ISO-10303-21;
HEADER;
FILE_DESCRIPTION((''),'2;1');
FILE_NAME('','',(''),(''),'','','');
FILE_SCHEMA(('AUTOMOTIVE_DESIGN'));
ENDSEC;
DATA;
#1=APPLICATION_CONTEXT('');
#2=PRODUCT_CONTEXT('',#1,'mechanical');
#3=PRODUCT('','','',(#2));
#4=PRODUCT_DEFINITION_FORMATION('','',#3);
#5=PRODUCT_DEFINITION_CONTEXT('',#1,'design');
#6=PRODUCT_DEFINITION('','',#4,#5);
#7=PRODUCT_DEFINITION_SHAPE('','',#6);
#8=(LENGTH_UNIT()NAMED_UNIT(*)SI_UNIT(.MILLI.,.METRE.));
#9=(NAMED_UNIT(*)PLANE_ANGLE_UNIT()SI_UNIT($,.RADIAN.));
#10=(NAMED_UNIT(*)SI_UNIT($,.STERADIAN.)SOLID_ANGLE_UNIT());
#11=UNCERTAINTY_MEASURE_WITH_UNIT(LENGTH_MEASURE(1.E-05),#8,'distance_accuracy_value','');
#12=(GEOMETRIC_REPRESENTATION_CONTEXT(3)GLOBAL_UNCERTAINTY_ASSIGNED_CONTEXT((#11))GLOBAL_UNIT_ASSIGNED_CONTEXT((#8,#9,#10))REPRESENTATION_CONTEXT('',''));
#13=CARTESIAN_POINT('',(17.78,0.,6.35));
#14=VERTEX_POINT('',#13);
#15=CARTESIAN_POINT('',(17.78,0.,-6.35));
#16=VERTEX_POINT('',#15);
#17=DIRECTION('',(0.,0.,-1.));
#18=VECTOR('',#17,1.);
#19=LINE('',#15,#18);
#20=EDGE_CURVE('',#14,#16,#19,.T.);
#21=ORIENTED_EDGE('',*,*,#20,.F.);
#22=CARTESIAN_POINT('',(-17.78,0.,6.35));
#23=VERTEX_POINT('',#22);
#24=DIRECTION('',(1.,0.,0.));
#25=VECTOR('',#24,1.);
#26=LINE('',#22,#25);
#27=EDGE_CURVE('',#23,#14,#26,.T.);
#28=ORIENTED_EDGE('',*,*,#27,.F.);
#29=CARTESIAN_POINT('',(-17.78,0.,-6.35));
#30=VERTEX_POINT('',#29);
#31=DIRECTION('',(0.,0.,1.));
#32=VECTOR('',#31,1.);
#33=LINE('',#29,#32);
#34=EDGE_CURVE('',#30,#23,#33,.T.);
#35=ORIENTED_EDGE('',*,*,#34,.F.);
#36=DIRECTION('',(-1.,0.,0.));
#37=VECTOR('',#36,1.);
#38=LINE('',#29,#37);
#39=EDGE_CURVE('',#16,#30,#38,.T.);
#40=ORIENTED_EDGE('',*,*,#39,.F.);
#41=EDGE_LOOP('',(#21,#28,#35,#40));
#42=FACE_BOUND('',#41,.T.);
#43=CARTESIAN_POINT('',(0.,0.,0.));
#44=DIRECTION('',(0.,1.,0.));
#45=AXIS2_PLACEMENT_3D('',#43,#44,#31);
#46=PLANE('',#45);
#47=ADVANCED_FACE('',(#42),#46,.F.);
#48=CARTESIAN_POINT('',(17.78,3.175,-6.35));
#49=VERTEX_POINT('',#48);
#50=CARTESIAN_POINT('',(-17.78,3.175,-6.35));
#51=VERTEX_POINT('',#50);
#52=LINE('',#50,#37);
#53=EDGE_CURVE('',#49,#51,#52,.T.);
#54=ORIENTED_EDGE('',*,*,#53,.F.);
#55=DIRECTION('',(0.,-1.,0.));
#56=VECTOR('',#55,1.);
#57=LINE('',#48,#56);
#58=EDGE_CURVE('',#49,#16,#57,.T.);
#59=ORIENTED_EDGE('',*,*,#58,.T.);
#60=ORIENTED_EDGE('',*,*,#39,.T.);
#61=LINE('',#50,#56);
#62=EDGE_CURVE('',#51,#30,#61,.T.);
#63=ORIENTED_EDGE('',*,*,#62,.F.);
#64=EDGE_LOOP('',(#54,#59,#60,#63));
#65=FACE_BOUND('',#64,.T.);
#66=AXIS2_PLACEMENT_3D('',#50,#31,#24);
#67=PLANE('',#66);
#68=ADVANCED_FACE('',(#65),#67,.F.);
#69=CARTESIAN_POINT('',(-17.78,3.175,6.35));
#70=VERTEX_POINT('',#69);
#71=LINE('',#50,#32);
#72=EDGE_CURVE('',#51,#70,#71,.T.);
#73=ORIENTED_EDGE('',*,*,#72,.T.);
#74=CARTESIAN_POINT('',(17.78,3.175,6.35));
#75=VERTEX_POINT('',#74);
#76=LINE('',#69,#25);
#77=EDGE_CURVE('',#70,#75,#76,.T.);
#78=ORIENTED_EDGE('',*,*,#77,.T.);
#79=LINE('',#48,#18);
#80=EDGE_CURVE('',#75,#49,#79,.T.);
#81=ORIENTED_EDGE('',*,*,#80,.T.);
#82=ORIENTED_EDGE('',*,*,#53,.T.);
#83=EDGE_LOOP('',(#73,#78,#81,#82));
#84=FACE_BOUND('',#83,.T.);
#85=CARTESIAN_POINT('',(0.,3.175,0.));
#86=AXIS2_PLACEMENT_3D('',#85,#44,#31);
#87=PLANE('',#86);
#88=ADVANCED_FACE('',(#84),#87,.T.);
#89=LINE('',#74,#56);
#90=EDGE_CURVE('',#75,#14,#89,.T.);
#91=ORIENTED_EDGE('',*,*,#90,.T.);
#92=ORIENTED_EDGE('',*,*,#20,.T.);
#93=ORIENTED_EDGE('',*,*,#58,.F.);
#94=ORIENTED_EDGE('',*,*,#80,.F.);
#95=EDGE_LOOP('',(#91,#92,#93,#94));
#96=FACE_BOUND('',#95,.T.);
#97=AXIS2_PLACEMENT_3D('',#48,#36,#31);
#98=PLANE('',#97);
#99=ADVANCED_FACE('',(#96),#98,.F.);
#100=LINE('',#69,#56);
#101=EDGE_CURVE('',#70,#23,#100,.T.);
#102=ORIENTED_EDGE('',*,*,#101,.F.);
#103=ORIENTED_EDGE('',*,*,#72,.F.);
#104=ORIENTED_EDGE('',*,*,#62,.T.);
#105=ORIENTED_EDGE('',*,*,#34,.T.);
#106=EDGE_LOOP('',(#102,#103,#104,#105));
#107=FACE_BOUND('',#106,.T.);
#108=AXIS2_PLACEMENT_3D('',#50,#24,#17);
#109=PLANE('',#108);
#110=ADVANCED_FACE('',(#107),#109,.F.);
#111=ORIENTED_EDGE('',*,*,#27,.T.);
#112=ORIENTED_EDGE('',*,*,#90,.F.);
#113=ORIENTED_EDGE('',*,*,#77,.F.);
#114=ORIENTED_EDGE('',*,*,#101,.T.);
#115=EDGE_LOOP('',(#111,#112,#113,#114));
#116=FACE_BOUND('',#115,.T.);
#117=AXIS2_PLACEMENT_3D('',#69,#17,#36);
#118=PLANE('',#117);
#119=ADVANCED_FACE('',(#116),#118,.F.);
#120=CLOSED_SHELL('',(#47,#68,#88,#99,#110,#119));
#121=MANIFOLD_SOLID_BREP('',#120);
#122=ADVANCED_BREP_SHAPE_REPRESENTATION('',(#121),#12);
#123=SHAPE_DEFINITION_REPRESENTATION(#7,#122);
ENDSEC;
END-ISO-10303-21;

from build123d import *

# Parameters (mm, degrees)
SKETCH1_W           = 35.56
SKETCH1_H           = 12.7
BOSS_EXTRUDE1_DEPTH = 3.175


with BuildPart() as part:
    # Sketch1 → Boss-Extrude1 (new body)
    with BuildSketch(Plane(origin=(0, 0, 0), x_dir=(1, 0, 0), z_dir=(0, 1, 0))):
        Rectangle(SKETCH1_W, SKETCH1_H)
    extrude(amount=BOSS_EXTRUDE1_DEPTH)


solid = part.part
